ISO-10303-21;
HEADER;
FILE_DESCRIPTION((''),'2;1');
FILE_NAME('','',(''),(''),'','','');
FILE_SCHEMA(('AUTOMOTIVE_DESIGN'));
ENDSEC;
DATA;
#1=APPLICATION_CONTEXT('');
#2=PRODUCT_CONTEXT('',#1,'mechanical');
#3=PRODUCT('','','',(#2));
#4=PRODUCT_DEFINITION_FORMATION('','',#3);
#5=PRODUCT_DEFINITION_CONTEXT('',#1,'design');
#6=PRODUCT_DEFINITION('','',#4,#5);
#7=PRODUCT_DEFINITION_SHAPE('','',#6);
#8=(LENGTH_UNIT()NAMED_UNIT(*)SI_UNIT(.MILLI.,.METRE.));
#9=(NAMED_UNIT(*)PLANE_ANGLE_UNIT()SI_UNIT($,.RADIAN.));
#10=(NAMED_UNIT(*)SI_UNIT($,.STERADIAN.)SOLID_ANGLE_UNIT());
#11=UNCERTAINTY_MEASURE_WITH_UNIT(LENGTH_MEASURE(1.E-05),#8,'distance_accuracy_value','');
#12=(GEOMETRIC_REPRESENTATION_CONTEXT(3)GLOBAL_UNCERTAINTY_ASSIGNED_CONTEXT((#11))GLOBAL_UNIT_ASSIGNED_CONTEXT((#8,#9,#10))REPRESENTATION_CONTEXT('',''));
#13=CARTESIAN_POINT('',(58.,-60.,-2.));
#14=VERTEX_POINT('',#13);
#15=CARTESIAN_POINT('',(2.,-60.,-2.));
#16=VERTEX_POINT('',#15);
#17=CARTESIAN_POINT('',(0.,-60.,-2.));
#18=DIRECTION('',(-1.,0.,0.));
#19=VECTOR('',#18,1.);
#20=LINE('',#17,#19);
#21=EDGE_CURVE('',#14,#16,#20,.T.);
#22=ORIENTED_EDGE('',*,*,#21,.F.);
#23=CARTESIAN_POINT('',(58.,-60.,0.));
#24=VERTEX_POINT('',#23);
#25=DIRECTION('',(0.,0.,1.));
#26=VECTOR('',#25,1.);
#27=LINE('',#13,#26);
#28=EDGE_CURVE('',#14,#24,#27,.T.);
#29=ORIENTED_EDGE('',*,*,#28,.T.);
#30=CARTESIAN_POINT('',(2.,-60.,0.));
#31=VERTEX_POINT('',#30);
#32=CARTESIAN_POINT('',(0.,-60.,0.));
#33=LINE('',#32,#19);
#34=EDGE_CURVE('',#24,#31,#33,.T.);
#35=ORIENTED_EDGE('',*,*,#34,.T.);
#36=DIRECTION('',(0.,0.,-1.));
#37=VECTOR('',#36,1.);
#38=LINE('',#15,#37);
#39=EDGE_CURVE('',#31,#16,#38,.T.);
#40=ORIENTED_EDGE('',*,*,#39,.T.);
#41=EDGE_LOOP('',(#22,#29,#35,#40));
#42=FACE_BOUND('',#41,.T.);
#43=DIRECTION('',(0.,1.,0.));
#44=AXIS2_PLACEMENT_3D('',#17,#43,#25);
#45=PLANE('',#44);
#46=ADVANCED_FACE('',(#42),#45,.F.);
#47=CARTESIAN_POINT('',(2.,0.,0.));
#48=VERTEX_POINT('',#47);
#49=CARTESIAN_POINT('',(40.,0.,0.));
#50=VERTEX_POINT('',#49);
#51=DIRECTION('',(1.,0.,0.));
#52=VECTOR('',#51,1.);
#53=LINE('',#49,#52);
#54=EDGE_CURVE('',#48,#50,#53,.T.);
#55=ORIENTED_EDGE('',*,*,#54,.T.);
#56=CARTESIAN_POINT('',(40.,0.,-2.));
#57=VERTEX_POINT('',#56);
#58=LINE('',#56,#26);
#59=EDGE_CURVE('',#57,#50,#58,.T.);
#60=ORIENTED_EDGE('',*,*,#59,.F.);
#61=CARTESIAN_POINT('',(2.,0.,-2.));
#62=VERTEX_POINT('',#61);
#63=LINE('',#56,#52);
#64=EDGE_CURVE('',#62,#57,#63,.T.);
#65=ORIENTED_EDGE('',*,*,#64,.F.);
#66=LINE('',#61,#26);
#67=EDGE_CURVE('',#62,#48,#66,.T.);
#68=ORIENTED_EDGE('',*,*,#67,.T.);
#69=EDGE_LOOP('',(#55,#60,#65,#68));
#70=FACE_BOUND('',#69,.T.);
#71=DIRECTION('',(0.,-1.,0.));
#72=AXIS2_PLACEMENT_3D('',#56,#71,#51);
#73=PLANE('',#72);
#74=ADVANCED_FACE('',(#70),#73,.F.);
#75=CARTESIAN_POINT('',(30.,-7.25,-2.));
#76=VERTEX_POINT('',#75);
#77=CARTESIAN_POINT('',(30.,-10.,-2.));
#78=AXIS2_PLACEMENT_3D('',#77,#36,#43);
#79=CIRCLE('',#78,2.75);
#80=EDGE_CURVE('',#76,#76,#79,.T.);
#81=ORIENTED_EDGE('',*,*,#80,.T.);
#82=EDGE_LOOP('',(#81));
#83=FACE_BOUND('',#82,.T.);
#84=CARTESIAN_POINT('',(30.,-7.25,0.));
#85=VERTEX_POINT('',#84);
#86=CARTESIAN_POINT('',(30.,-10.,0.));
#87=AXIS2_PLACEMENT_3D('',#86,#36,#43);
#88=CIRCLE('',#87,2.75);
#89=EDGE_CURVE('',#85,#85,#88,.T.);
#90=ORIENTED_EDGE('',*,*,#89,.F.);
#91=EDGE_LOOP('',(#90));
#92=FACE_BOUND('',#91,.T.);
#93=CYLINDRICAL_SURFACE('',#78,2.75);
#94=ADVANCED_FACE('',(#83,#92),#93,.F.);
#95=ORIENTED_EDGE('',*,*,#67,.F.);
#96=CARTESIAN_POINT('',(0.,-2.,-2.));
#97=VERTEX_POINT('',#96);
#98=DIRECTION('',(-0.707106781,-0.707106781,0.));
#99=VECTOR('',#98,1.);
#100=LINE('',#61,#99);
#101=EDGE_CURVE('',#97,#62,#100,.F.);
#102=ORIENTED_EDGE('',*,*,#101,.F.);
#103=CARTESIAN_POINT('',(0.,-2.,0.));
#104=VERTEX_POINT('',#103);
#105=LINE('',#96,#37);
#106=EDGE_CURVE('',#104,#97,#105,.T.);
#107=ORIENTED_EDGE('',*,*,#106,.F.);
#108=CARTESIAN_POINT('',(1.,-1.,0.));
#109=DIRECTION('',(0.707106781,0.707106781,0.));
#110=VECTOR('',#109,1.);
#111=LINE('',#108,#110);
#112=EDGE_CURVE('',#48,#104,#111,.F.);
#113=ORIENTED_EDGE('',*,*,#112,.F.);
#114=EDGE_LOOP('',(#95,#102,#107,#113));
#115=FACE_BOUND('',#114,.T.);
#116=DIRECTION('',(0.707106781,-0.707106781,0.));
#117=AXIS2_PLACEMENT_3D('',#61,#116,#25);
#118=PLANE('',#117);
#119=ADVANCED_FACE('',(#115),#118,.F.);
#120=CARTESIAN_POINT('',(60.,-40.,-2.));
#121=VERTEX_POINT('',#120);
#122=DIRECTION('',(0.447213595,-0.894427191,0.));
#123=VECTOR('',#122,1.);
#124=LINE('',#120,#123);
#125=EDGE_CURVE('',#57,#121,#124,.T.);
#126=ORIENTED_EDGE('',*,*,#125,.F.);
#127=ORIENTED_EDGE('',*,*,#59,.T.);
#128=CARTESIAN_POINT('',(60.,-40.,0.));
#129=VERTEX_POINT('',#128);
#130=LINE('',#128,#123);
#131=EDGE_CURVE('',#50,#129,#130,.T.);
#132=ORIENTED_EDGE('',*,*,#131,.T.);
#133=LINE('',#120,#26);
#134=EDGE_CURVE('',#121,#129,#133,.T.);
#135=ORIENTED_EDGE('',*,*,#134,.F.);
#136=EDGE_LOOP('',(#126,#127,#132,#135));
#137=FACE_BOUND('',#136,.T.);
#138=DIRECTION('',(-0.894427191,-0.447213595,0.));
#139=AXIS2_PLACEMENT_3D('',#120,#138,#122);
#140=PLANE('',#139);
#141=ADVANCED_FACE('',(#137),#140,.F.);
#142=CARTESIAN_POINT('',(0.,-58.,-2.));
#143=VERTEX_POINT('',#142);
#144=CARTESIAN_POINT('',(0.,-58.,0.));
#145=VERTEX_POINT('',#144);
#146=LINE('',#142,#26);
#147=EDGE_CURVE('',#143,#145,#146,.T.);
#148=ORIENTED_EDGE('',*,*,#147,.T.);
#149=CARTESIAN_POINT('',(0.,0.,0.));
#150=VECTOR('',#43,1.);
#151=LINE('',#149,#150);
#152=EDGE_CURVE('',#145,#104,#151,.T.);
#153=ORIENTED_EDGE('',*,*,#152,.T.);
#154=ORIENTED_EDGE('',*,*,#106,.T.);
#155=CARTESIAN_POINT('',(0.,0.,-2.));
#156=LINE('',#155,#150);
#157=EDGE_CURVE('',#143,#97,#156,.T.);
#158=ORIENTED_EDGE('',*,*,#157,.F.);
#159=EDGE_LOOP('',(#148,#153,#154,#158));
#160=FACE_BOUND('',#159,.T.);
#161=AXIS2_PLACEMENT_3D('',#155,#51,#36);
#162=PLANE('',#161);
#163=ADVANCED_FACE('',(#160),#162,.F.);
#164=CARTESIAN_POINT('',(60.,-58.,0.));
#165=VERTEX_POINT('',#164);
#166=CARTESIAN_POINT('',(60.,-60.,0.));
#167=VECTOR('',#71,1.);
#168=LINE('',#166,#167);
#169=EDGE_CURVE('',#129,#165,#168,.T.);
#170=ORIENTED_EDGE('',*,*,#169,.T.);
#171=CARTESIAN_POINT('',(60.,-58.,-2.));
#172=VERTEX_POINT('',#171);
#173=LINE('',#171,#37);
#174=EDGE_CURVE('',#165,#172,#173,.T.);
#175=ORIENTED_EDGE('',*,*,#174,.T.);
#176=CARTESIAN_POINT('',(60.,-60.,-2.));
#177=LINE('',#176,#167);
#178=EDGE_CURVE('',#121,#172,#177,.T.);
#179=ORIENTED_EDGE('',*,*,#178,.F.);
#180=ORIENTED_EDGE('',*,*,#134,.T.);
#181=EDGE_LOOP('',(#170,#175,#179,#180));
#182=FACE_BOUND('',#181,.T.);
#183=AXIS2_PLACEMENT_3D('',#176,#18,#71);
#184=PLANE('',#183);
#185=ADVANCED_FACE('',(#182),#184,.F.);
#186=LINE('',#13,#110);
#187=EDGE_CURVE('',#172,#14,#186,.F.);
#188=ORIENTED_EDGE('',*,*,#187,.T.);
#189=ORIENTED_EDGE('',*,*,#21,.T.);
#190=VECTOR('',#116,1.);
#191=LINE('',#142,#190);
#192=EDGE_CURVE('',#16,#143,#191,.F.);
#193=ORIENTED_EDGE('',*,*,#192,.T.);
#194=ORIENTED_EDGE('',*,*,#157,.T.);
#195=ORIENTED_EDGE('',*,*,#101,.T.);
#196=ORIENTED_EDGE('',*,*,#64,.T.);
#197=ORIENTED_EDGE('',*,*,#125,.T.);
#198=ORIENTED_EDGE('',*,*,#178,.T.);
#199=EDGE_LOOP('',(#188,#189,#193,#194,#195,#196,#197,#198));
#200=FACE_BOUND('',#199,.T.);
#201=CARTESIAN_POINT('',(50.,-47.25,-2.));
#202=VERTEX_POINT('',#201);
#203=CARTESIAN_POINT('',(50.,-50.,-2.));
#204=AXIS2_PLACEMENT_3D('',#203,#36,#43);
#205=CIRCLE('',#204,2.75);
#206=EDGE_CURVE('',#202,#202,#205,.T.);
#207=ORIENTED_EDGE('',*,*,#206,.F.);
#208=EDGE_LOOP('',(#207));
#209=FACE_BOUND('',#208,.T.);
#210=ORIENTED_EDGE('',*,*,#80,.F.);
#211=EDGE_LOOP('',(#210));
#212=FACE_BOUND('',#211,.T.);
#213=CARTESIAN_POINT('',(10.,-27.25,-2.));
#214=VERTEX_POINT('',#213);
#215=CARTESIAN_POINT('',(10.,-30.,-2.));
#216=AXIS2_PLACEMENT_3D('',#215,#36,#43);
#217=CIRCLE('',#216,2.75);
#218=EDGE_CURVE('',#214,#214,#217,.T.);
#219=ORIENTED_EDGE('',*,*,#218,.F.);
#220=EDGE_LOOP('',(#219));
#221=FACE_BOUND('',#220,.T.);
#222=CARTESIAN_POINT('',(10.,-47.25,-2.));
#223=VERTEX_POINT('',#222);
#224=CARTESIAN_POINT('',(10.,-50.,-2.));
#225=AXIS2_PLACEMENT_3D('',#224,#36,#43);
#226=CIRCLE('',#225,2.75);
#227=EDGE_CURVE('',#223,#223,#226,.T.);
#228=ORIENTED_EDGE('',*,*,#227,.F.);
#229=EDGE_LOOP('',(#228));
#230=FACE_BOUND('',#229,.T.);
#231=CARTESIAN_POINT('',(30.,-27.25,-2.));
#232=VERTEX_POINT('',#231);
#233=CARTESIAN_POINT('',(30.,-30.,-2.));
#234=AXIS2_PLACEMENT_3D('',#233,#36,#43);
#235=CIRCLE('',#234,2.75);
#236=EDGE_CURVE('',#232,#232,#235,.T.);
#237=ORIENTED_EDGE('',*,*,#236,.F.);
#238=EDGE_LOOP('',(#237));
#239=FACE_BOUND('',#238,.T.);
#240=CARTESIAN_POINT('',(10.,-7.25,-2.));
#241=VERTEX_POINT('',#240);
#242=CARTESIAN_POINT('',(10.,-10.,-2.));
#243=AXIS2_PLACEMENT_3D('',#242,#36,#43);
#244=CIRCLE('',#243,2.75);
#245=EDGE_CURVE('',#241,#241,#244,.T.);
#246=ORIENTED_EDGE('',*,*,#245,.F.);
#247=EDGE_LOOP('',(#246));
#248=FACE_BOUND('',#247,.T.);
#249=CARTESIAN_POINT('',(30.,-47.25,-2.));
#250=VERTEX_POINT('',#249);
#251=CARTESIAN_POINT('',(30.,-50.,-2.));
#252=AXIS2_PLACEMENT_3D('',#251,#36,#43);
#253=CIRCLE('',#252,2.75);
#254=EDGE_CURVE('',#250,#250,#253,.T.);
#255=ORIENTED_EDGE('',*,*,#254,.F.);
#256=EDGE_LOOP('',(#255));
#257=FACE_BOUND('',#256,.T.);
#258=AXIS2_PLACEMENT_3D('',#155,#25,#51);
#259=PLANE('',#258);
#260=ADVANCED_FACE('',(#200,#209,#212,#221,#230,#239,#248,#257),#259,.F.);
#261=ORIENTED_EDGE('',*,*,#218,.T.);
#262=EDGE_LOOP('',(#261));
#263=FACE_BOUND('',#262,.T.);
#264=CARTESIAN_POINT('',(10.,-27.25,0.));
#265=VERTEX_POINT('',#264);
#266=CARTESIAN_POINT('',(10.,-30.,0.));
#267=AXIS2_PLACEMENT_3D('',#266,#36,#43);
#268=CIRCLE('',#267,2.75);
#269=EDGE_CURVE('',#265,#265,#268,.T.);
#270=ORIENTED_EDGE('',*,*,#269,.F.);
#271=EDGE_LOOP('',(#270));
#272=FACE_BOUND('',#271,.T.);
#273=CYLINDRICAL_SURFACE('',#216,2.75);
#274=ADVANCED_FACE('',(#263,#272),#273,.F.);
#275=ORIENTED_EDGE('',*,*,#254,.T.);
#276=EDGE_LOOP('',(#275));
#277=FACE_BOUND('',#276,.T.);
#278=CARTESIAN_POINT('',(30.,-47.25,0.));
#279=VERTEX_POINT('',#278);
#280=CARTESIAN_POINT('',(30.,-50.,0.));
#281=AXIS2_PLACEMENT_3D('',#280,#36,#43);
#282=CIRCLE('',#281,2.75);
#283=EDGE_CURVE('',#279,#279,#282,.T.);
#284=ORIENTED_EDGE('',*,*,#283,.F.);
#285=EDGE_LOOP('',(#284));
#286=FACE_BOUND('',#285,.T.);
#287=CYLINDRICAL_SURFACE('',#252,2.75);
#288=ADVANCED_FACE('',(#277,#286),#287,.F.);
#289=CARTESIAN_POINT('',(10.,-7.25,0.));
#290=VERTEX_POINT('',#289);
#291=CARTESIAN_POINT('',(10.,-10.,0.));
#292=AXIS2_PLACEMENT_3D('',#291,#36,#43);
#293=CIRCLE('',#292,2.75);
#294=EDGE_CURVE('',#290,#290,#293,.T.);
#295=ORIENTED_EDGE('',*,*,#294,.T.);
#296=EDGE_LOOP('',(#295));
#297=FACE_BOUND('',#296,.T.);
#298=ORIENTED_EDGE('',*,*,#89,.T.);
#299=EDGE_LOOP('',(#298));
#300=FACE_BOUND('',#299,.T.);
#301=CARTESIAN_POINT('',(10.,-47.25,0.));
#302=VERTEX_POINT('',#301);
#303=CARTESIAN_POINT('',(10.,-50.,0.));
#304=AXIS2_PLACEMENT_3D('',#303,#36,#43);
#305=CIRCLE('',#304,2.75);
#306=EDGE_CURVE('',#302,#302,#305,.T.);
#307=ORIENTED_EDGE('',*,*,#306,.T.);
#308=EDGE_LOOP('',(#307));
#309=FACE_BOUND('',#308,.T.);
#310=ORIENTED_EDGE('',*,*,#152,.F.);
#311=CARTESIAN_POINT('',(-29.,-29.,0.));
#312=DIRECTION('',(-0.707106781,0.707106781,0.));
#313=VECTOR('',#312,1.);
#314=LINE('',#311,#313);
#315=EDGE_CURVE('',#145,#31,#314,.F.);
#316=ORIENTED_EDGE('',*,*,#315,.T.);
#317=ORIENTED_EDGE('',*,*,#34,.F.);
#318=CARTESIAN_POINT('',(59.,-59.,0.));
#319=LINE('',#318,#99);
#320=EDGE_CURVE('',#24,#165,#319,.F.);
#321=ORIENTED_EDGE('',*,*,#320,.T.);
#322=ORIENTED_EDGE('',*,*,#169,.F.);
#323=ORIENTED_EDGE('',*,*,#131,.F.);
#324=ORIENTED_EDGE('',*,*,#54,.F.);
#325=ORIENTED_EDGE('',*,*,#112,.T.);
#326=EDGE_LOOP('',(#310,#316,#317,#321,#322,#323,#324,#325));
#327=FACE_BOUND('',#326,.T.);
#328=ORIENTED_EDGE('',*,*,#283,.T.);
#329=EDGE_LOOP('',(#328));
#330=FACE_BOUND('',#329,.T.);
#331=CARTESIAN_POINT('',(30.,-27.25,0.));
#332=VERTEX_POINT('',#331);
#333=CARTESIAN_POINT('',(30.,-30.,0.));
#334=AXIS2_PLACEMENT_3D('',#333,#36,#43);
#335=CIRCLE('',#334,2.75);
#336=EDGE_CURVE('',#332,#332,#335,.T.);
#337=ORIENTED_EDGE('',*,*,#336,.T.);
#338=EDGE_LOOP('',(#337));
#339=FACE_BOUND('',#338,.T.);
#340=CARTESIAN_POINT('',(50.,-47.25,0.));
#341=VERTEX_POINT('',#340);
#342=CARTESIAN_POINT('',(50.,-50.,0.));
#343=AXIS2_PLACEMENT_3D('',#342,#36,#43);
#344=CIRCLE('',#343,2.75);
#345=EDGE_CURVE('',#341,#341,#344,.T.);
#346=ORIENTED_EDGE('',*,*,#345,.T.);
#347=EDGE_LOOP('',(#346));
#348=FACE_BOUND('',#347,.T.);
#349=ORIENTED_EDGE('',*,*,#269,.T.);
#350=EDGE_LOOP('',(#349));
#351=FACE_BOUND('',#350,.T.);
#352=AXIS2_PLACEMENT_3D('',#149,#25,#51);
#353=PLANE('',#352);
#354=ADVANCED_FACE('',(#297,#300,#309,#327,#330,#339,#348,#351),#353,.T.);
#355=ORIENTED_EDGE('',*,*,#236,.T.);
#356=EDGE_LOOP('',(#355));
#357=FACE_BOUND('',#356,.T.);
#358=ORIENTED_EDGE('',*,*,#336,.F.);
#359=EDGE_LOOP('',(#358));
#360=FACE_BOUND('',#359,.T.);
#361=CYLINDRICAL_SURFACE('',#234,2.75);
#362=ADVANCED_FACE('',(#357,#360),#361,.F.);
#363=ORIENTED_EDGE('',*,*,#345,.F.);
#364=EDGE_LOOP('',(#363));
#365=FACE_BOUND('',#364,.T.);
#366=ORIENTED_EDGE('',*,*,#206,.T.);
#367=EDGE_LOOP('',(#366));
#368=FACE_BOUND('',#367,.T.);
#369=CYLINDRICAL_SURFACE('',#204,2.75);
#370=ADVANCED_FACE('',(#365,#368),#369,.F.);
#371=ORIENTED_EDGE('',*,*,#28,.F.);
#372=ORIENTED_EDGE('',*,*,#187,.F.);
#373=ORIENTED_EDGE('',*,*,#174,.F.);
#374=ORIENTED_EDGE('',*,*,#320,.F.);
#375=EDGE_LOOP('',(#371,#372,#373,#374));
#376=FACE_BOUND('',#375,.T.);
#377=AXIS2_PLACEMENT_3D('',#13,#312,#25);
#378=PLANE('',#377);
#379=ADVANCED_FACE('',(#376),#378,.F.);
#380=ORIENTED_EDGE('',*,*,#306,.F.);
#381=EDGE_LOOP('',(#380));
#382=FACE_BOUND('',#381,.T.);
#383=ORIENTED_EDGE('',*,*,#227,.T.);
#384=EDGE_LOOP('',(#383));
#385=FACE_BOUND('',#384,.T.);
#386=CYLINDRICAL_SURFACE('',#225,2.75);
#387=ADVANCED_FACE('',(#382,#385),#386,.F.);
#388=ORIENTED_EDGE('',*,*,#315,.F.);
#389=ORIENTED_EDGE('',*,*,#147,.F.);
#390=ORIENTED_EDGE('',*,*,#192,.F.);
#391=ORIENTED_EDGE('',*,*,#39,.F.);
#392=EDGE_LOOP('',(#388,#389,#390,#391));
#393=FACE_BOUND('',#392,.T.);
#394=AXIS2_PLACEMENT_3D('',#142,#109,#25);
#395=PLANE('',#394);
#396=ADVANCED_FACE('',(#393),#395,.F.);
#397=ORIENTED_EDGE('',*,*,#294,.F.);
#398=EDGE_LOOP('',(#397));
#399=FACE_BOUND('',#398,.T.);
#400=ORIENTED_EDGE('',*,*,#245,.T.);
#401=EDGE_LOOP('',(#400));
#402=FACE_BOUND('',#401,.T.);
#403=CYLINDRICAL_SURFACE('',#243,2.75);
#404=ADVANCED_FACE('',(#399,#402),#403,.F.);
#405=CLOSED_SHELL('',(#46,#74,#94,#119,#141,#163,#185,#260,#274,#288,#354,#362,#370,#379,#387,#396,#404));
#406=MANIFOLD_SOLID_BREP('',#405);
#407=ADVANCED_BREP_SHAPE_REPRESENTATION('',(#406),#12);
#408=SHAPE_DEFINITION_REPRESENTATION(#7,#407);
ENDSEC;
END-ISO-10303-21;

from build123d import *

# Parameters (mm, degrees)
EXTRUDE_1_DEPTH   = 2
HOLE_WIZARD_M51_D = 5.5
CHAMFER_1_SIZE    = 2


with BuildPart() as part:
    # Эскиз1 → Бобышка-Вытянуть1 (new body)
    with BuildSketch(Plane(origin=(0, 0, 0), x_dir=(1, 0, 0), z_dir=(0, 0, -1))):
        Polygon((0, 0), (0, 60), (60, 60), (60, 40), (40, 0), align=None)
    extrude(amount=EXTRUDE_1_DEPTH)

    # Отверстие с зазором M51 (through all)
    with Locations(Plane(origin=(0, 0, -2), x_dir=(1, 0, 0), z_dir=(0, 0, -1))):
        with Locations((30, 50), (10, 50), (10, 30), (10, 10), (50, 50), (30, 30), (30, 10)):
            Hole(HOLE_WIZARD_M51_D / 2)

    # Фаска1
    chamfer_1_edges = [part.edges().sort_by_distance(p)[0] for p in [
        (0, 0, -1),
        (0, -60, -1),
        (60, -60, -1),
    ]]
    chamfer(chamfer_1_edges, length=CHAMFER_1_SIZE)


solid = part.part
